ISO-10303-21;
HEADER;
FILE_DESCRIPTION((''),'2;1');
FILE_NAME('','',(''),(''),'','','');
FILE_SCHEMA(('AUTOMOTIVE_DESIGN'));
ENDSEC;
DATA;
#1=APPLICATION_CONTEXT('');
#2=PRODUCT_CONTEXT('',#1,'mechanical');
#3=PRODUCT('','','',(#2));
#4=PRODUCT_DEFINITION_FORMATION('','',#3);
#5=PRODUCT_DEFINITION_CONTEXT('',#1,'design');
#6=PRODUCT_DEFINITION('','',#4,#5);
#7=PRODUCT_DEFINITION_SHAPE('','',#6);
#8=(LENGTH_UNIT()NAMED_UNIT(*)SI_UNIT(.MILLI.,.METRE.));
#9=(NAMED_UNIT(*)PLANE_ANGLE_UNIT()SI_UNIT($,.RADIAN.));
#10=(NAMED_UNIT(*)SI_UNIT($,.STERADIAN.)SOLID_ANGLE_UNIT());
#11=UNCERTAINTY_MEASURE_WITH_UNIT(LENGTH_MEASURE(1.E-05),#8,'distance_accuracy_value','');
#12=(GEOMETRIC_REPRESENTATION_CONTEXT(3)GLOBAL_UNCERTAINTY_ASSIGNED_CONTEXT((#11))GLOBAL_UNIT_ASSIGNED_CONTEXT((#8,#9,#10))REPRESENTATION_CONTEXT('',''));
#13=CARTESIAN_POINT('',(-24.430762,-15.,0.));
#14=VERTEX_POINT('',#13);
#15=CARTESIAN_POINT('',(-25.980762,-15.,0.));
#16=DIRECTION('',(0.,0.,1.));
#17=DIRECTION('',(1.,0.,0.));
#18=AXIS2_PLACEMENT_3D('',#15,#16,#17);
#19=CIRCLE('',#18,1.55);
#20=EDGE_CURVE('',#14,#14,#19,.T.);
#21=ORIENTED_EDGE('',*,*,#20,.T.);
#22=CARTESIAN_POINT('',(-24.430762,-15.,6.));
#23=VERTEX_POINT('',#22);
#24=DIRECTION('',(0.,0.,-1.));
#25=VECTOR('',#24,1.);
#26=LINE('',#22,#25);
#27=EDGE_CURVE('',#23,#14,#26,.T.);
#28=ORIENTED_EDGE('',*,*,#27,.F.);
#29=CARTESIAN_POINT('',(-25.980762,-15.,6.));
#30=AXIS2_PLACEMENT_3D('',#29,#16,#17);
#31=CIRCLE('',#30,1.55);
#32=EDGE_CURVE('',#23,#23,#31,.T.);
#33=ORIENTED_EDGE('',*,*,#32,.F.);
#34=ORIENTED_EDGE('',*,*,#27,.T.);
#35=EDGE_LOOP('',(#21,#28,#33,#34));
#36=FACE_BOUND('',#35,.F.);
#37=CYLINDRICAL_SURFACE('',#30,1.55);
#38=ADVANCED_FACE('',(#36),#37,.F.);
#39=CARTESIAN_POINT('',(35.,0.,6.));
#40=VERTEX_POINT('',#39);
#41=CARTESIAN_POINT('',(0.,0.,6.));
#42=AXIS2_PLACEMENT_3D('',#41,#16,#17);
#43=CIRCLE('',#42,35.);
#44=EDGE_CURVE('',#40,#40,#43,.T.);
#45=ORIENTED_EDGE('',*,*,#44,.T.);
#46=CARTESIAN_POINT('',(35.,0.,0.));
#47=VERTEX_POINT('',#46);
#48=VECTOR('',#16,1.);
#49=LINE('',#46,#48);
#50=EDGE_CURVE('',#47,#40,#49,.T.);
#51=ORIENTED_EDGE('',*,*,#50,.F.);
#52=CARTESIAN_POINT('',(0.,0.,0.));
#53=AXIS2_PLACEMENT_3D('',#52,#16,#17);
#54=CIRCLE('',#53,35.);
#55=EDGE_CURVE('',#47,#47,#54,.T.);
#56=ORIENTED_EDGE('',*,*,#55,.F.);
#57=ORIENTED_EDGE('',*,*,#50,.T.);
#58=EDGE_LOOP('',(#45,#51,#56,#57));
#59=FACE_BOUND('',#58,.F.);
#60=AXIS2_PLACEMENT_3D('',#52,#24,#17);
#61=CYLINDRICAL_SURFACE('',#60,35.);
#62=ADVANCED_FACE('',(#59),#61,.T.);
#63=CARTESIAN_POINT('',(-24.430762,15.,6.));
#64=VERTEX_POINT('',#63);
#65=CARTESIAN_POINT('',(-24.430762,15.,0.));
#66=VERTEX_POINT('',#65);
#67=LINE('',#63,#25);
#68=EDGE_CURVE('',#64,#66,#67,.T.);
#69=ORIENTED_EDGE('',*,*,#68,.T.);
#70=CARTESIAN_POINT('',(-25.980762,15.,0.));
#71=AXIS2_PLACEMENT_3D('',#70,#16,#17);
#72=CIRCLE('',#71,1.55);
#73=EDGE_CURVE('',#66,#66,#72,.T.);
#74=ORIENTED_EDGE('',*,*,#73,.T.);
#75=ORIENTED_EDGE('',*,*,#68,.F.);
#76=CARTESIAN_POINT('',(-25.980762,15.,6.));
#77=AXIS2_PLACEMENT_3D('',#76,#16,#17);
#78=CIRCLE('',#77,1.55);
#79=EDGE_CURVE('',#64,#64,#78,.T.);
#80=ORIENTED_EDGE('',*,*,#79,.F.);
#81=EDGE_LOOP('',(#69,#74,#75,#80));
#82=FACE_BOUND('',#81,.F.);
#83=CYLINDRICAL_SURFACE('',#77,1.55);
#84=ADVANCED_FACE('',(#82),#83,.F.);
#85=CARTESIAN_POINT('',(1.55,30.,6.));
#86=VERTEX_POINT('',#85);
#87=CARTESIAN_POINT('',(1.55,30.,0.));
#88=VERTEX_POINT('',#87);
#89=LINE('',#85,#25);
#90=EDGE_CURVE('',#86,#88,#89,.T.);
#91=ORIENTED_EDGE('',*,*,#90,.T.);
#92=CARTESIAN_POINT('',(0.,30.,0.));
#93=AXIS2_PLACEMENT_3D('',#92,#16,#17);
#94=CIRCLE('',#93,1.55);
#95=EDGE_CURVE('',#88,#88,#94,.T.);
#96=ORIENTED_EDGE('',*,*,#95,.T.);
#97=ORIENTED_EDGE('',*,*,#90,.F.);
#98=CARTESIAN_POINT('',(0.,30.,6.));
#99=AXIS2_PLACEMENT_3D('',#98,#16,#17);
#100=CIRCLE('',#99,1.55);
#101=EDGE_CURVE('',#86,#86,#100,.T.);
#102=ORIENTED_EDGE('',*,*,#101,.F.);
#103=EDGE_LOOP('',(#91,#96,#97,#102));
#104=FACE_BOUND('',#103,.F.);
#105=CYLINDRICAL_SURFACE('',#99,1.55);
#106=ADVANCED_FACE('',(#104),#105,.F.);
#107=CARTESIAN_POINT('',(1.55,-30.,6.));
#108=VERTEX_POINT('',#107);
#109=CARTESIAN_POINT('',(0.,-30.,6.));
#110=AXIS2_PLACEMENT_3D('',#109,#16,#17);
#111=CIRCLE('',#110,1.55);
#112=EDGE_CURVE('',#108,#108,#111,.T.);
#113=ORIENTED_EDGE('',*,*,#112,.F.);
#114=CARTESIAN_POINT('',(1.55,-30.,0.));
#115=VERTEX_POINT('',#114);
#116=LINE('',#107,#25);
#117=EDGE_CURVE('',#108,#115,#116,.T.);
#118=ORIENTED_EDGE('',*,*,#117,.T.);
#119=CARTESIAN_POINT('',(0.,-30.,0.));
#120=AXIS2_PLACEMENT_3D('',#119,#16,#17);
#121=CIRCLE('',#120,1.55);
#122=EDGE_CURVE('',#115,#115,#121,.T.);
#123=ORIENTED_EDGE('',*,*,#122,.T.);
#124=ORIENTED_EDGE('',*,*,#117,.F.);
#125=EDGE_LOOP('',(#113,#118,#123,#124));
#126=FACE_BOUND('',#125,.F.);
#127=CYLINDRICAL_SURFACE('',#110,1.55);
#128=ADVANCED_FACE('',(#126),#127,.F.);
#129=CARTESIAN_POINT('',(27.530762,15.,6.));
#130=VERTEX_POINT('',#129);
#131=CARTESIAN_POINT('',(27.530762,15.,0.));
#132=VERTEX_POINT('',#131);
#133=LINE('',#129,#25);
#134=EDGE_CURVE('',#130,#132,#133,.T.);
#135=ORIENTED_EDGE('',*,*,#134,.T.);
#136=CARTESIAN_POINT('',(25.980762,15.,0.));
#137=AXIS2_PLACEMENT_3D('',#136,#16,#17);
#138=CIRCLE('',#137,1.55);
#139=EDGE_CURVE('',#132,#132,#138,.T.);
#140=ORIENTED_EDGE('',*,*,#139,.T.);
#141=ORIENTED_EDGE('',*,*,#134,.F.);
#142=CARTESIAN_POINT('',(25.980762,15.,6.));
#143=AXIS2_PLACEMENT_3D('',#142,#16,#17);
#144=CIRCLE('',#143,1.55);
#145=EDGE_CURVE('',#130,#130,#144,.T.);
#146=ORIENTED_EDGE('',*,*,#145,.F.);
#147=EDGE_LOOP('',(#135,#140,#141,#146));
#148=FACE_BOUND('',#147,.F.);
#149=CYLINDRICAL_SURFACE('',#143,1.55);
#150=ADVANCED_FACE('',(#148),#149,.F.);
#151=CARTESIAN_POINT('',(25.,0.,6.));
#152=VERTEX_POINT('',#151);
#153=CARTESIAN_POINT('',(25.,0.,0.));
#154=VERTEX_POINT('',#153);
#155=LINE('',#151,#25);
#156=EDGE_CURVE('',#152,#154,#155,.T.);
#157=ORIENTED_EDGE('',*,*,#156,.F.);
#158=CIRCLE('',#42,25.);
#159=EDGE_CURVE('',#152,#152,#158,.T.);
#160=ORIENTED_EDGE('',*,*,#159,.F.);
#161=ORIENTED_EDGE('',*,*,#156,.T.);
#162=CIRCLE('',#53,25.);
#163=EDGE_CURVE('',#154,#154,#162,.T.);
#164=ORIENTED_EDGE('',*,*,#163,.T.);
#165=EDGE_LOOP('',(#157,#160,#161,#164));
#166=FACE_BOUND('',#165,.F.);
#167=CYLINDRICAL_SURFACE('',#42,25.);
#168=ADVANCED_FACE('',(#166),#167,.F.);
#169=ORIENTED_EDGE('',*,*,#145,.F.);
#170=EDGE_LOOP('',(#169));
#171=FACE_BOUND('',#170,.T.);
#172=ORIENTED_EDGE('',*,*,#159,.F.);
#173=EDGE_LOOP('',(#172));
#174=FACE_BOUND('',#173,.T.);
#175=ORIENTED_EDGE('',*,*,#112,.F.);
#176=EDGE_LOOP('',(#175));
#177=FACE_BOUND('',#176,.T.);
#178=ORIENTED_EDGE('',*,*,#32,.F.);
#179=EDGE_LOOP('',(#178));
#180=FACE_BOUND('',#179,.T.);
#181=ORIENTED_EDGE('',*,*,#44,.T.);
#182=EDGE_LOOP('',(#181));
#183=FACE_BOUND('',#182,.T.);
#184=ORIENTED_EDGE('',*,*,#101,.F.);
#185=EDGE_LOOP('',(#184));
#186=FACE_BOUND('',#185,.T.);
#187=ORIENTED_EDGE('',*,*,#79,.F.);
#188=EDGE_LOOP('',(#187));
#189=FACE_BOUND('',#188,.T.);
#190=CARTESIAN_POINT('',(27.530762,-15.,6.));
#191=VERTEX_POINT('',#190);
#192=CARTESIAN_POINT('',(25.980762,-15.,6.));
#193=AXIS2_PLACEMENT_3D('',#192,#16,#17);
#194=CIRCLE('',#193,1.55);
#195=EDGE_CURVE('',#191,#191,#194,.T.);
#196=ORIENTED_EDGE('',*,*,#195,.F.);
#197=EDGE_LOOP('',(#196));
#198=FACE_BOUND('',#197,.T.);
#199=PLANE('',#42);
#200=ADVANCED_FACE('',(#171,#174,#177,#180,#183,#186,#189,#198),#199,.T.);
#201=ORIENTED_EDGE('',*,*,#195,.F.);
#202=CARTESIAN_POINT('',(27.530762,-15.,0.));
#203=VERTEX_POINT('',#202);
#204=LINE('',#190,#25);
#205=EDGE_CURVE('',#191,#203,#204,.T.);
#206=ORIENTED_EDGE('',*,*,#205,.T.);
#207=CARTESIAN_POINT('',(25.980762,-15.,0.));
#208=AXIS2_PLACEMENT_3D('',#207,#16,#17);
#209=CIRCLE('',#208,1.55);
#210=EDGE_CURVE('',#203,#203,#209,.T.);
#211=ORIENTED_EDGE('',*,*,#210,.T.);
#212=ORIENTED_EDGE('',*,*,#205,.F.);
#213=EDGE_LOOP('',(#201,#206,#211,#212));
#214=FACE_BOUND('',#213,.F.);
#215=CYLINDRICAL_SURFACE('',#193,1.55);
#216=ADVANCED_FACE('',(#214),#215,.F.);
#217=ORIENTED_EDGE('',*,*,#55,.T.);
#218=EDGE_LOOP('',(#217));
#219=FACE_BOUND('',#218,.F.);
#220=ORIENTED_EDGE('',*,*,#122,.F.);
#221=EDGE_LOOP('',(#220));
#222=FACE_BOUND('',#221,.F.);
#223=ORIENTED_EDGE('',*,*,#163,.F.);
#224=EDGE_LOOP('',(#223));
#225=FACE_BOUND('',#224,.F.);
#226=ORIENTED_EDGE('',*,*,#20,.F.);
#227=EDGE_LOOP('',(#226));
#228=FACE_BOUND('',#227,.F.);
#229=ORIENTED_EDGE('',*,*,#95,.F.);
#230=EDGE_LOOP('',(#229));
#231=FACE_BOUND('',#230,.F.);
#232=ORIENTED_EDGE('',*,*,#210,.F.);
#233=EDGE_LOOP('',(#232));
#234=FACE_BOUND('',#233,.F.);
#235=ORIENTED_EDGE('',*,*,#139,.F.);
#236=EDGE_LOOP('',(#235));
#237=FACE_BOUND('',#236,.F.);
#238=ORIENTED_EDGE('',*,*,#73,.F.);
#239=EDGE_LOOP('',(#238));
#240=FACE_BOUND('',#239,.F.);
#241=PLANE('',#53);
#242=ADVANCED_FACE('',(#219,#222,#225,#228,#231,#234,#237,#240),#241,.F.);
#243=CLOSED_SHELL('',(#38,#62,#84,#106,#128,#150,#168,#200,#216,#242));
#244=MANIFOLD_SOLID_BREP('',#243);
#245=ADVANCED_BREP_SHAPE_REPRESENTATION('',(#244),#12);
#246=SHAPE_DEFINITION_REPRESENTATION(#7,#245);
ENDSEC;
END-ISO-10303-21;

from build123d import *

# Parameters (mm, degrees)
F0_R     = 35
F1_DEPTH = 6
F2_R     = 1.55
F3_DEPTH = 6.001
F4_R     = 25
F5_DEPTH = 6.001


with BuildPart() as f1:
    # F0 (on Top) → F1 (new body)
    with BuildSketch(Plane.XY):
        Circle(F0_R)
    extrude(amount=F1_DEPTH)

    # F2 (on face) → F3 (cut, through all)
    with BuildSketch(Plane.XY.offset(6)):
        with Locations((0, 30)):
            Circle(F2_R)
        with Locations((-25.980762, 15)):
            Circle(F2_R)
        with Locations((-25.980762, -15)):
            Circle(F2_R)
        with Locations((25.980762, 15)):
            Circle(F2_R)
        with Locations((25.980762, -15)):
            Circle(F2_R)
        with Locations((0, -30)):
            Circle(F2_R)
    extrude(amount=-F3_DEPTH, mode=Mode.SUBTRACT)

    # F4 (on face) → F5 (cut, through all)
    with BuildSketch(Plane.XY.offset(6)):
        Circle(F4_R)
    extrude(amount=-F5_DEPTH, mode=Mode.SUBTRACT)


solid = f1.part
